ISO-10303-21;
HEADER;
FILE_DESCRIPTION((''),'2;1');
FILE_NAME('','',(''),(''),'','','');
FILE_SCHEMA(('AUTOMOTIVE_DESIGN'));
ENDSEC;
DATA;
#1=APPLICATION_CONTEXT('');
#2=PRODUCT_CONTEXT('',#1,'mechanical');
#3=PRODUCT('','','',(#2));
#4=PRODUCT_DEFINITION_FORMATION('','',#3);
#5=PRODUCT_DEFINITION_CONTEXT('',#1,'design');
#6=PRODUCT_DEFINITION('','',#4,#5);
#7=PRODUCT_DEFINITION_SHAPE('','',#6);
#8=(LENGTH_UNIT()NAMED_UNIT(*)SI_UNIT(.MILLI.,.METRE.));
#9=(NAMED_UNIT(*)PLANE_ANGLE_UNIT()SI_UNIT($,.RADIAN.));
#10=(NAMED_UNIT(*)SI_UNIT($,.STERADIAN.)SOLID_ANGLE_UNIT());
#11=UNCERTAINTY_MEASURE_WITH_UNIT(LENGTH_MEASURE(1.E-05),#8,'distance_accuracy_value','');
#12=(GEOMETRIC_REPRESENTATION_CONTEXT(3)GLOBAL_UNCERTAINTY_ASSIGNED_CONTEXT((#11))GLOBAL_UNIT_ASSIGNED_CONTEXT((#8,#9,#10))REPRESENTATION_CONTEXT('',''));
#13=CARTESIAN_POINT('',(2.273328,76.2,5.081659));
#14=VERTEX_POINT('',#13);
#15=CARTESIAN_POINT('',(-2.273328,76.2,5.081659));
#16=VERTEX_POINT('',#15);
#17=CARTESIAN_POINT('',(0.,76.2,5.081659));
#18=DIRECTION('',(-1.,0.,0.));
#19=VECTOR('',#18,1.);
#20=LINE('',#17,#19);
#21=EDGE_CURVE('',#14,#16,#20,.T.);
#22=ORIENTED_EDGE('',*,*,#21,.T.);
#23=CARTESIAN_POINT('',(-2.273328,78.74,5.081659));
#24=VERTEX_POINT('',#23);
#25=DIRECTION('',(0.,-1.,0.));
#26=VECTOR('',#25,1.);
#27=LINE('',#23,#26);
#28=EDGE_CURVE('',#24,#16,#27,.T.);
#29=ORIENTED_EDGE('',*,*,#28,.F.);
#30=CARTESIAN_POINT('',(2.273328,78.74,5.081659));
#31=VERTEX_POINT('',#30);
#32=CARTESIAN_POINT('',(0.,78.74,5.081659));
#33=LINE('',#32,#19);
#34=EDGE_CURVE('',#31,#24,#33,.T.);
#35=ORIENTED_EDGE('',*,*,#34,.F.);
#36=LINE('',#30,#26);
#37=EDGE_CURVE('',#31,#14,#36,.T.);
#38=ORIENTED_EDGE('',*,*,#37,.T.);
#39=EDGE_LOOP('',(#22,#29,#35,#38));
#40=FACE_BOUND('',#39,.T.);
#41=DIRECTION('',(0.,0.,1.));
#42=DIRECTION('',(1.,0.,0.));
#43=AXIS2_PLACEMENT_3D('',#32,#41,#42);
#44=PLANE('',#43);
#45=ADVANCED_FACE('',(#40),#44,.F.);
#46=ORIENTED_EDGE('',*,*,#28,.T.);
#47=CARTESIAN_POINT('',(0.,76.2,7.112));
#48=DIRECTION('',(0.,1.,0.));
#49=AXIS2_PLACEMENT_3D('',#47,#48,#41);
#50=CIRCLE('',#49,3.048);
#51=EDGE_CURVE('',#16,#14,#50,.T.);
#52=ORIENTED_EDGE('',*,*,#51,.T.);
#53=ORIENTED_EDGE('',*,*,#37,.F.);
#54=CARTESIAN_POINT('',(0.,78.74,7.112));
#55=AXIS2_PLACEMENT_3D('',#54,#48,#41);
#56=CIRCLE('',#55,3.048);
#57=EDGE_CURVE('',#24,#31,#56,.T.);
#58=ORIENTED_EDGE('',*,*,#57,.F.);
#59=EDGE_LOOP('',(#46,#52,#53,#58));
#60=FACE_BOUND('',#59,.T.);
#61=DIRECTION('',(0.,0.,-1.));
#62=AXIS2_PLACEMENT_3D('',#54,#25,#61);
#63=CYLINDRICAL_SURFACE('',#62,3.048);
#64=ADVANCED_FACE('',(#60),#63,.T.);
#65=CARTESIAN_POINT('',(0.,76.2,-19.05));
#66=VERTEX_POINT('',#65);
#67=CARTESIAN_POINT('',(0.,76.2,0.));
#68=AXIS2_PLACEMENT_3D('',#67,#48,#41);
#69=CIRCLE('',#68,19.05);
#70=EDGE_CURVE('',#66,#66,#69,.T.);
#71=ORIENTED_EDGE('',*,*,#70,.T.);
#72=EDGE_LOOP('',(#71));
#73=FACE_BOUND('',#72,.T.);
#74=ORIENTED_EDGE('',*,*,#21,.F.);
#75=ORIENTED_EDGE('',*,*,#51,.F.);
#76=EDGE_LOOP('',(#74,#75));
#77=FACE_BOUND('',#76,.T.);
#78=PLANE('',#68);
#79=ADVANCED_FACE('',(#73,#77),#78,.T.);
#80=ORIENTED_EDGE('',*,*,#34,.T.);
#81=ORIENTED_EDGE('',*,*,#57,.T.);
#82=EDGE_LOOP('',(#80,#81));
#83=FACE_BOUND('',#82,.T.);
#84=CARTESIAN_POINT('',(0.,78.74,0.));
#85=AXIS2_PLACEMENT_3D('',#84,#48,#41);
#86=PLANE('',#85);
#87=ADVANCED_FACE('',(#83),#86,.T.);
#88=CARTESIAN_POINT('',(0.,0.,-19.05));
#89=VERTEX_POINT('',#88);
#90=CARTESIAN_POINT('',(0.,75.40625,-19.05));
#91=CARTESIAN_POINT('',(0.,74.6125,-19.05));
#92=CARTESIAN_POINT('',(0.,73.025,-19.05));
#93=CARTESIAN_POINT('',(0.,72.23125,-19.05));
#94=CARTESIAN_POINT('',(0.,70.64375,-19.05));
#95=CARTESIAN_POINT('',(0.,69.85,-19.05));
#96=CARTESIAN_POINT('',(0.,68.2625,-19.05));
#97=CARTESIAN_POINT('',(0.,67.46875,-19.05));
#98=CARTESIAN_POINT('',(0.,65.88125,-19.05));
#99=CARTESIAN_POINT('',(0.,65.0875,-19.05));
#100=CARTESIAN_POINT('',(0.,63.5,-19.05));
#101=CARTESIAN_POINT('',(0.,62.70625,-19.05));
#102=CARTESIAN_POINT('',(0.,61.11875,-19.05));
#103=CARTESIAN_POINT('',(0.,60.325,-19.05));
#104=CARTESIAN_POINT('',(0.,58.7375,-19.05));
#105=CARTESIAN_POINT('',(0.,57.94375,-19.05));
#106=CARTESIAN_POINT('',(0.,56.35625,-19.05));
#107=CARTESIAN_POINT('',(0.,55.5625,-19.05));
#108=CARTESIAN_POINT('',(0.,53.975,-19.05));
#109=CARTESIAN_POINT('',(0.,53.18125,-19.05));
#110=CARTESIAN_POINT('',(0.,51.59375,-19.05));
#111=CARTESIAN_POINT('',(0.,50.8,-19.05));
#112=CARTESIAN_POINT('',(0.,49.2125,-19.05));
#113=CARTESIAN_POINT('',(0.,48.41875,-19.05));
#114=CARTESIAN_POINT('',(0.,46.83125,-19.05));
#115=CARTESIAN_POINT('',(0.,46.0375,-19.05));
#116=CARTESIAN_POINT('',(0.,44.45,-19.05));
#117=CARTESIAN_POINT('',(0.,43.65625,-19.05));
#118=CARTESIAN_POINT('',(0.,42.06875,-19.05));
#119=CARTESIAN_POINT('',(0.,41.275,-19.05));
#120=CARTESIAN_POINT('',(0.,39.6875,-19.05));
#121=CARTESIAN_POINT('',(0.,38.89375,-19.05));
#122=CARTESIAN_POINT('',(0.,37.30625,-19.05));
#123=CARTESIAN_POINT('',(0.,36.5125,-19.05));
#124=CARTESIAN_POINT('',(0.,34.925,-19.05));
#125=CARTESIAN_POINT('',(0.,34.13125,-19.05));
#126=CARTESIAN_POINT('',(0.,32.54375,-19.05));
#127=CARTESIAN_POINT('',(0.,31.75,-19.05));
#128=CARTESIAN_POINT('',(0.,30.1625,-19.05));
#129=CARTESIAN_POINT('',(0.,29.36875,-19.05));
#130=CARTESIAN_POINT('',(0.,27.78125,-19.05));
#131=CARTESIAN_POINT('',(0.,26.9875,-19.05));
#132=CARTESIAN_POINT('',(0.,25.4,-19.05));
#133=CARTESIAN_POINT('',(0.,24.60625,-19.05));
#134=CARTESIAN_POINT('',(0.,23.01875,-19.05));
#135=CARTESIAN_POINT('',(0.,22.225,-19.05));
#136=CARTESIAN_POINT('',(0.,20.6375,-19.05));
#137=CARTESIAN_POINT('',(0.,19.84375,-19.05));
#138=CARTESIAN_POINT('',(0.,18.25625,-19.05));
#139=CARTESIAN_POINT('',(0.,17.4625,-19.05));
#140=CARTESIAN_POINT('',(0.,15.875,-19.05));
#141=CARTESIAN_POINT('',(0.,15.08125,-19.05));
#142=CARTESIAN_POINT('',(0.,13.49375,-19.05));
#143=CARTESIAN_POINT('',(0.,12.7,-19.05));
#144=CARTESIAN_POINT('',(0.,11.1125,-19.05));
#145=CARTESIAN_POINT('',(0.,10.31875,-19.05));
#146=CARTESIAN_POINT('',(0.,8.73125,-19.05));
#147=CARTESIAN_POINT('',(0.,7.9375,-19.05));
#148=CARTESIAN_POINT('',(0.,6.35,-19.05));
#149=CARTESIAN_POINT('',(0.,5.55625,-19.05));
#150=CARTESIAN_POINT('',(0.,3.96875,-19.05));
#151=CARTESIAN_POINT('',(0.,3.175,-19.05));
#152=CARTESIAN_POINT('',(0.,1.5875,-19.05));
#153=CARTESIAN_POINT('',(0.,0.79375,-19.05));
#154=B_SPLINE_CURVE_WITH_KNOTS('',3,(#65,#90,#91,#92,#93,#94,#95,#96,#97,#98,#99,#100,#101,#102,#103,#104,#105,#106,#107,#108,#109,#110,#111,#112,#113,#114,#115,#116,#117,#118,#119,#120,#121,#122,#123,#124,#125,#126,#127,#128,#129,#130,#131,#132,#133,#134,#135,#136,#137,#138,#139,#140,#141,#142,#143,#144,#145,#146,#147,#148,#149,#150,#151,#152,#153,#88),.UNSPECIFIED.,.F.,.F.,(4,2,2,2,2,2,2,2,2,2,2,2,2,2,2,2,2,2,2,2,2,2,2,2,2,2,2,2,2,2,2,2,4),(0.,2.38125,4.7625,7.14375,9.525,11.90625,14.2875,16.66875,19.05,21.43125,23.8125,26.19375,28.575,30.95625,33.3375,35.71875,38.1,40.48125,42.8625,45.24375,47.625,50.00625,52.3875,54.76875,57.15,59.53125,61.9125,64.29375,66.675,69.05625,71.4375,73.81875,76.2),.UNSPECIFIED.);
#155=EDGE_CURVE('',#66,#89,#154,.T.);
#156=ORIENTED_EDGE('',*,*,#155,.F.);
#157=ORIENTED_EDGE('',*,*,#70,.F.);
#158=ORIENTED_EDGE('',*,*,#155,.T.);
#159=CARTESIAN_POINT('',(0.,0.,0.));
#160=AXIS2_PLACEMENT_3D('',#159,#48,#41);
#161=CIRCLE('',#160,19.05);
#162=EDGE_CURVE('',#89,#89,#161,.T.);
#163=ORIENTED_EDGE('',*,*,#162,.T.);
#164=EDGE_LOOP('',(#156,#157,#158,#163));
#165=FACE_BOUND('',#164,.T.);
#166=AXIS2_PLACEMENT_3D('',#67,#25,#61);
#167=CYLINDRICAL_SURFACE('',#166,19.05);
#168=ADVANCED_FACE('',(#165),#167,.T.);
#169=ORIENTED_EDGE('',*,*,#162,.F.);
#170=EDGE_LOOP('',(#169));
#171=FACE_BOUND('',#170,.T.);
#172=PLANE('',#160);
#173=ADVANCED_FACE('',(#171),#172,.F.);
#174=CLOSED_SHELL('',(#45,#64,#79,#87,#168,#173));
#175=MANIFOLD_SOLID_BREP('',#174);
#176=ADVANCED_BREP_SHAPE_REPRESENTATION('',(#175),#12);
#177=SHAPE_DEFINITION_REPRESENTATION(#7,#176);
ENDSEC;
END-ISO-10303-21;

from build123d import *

# Parameters (mm, degrees)
SKETCH1_R           = 19.05
BOSS_EXTRUDE1_DEPTH = 76.2
BOSS_EXTRUDE3_DEPTH = 2.54


with BuildPart() as part:
    # Sketch1 → Boss-Extrude1 (new body)
    with BuildSketch(Plane(origin=(0, 0, 0), x_dir=(1, 0, 0), z_dir=(0, 1, 0))):
        with Locations(Location((0, 0, 0), (0, 0, 90))):
            Circle(SKETCH1_R)
    extrude(amount=BOSS_EXTRUDE1_DEPTH)

    # Sketch2 → Boss-Extrude3 (add)
    with BuildSketch(Plane(origin=(0, 76.2, 0), x_dir=(1, 0, 0), z_dir=(0, 1, 0))):
        with BuildLine():
            Line((2.273328114, -5.081659317), (0, -5.081659317))
            Line((0, -5.081659317), (-2.273328114, -5.081659317))
            ThreePointArc((-2.273328114, -5.081659317), (-1.086554166, -9.959754211), (3.048, -7.112))
            ThreePointArc((3.048, -7.112), (2.847754211, -6.025445834), (2.273328114, -5.081659317))
        make_face()
    extrude(amount=BOSS_EXTRUDE3_DEPTH)


solid = part.part
